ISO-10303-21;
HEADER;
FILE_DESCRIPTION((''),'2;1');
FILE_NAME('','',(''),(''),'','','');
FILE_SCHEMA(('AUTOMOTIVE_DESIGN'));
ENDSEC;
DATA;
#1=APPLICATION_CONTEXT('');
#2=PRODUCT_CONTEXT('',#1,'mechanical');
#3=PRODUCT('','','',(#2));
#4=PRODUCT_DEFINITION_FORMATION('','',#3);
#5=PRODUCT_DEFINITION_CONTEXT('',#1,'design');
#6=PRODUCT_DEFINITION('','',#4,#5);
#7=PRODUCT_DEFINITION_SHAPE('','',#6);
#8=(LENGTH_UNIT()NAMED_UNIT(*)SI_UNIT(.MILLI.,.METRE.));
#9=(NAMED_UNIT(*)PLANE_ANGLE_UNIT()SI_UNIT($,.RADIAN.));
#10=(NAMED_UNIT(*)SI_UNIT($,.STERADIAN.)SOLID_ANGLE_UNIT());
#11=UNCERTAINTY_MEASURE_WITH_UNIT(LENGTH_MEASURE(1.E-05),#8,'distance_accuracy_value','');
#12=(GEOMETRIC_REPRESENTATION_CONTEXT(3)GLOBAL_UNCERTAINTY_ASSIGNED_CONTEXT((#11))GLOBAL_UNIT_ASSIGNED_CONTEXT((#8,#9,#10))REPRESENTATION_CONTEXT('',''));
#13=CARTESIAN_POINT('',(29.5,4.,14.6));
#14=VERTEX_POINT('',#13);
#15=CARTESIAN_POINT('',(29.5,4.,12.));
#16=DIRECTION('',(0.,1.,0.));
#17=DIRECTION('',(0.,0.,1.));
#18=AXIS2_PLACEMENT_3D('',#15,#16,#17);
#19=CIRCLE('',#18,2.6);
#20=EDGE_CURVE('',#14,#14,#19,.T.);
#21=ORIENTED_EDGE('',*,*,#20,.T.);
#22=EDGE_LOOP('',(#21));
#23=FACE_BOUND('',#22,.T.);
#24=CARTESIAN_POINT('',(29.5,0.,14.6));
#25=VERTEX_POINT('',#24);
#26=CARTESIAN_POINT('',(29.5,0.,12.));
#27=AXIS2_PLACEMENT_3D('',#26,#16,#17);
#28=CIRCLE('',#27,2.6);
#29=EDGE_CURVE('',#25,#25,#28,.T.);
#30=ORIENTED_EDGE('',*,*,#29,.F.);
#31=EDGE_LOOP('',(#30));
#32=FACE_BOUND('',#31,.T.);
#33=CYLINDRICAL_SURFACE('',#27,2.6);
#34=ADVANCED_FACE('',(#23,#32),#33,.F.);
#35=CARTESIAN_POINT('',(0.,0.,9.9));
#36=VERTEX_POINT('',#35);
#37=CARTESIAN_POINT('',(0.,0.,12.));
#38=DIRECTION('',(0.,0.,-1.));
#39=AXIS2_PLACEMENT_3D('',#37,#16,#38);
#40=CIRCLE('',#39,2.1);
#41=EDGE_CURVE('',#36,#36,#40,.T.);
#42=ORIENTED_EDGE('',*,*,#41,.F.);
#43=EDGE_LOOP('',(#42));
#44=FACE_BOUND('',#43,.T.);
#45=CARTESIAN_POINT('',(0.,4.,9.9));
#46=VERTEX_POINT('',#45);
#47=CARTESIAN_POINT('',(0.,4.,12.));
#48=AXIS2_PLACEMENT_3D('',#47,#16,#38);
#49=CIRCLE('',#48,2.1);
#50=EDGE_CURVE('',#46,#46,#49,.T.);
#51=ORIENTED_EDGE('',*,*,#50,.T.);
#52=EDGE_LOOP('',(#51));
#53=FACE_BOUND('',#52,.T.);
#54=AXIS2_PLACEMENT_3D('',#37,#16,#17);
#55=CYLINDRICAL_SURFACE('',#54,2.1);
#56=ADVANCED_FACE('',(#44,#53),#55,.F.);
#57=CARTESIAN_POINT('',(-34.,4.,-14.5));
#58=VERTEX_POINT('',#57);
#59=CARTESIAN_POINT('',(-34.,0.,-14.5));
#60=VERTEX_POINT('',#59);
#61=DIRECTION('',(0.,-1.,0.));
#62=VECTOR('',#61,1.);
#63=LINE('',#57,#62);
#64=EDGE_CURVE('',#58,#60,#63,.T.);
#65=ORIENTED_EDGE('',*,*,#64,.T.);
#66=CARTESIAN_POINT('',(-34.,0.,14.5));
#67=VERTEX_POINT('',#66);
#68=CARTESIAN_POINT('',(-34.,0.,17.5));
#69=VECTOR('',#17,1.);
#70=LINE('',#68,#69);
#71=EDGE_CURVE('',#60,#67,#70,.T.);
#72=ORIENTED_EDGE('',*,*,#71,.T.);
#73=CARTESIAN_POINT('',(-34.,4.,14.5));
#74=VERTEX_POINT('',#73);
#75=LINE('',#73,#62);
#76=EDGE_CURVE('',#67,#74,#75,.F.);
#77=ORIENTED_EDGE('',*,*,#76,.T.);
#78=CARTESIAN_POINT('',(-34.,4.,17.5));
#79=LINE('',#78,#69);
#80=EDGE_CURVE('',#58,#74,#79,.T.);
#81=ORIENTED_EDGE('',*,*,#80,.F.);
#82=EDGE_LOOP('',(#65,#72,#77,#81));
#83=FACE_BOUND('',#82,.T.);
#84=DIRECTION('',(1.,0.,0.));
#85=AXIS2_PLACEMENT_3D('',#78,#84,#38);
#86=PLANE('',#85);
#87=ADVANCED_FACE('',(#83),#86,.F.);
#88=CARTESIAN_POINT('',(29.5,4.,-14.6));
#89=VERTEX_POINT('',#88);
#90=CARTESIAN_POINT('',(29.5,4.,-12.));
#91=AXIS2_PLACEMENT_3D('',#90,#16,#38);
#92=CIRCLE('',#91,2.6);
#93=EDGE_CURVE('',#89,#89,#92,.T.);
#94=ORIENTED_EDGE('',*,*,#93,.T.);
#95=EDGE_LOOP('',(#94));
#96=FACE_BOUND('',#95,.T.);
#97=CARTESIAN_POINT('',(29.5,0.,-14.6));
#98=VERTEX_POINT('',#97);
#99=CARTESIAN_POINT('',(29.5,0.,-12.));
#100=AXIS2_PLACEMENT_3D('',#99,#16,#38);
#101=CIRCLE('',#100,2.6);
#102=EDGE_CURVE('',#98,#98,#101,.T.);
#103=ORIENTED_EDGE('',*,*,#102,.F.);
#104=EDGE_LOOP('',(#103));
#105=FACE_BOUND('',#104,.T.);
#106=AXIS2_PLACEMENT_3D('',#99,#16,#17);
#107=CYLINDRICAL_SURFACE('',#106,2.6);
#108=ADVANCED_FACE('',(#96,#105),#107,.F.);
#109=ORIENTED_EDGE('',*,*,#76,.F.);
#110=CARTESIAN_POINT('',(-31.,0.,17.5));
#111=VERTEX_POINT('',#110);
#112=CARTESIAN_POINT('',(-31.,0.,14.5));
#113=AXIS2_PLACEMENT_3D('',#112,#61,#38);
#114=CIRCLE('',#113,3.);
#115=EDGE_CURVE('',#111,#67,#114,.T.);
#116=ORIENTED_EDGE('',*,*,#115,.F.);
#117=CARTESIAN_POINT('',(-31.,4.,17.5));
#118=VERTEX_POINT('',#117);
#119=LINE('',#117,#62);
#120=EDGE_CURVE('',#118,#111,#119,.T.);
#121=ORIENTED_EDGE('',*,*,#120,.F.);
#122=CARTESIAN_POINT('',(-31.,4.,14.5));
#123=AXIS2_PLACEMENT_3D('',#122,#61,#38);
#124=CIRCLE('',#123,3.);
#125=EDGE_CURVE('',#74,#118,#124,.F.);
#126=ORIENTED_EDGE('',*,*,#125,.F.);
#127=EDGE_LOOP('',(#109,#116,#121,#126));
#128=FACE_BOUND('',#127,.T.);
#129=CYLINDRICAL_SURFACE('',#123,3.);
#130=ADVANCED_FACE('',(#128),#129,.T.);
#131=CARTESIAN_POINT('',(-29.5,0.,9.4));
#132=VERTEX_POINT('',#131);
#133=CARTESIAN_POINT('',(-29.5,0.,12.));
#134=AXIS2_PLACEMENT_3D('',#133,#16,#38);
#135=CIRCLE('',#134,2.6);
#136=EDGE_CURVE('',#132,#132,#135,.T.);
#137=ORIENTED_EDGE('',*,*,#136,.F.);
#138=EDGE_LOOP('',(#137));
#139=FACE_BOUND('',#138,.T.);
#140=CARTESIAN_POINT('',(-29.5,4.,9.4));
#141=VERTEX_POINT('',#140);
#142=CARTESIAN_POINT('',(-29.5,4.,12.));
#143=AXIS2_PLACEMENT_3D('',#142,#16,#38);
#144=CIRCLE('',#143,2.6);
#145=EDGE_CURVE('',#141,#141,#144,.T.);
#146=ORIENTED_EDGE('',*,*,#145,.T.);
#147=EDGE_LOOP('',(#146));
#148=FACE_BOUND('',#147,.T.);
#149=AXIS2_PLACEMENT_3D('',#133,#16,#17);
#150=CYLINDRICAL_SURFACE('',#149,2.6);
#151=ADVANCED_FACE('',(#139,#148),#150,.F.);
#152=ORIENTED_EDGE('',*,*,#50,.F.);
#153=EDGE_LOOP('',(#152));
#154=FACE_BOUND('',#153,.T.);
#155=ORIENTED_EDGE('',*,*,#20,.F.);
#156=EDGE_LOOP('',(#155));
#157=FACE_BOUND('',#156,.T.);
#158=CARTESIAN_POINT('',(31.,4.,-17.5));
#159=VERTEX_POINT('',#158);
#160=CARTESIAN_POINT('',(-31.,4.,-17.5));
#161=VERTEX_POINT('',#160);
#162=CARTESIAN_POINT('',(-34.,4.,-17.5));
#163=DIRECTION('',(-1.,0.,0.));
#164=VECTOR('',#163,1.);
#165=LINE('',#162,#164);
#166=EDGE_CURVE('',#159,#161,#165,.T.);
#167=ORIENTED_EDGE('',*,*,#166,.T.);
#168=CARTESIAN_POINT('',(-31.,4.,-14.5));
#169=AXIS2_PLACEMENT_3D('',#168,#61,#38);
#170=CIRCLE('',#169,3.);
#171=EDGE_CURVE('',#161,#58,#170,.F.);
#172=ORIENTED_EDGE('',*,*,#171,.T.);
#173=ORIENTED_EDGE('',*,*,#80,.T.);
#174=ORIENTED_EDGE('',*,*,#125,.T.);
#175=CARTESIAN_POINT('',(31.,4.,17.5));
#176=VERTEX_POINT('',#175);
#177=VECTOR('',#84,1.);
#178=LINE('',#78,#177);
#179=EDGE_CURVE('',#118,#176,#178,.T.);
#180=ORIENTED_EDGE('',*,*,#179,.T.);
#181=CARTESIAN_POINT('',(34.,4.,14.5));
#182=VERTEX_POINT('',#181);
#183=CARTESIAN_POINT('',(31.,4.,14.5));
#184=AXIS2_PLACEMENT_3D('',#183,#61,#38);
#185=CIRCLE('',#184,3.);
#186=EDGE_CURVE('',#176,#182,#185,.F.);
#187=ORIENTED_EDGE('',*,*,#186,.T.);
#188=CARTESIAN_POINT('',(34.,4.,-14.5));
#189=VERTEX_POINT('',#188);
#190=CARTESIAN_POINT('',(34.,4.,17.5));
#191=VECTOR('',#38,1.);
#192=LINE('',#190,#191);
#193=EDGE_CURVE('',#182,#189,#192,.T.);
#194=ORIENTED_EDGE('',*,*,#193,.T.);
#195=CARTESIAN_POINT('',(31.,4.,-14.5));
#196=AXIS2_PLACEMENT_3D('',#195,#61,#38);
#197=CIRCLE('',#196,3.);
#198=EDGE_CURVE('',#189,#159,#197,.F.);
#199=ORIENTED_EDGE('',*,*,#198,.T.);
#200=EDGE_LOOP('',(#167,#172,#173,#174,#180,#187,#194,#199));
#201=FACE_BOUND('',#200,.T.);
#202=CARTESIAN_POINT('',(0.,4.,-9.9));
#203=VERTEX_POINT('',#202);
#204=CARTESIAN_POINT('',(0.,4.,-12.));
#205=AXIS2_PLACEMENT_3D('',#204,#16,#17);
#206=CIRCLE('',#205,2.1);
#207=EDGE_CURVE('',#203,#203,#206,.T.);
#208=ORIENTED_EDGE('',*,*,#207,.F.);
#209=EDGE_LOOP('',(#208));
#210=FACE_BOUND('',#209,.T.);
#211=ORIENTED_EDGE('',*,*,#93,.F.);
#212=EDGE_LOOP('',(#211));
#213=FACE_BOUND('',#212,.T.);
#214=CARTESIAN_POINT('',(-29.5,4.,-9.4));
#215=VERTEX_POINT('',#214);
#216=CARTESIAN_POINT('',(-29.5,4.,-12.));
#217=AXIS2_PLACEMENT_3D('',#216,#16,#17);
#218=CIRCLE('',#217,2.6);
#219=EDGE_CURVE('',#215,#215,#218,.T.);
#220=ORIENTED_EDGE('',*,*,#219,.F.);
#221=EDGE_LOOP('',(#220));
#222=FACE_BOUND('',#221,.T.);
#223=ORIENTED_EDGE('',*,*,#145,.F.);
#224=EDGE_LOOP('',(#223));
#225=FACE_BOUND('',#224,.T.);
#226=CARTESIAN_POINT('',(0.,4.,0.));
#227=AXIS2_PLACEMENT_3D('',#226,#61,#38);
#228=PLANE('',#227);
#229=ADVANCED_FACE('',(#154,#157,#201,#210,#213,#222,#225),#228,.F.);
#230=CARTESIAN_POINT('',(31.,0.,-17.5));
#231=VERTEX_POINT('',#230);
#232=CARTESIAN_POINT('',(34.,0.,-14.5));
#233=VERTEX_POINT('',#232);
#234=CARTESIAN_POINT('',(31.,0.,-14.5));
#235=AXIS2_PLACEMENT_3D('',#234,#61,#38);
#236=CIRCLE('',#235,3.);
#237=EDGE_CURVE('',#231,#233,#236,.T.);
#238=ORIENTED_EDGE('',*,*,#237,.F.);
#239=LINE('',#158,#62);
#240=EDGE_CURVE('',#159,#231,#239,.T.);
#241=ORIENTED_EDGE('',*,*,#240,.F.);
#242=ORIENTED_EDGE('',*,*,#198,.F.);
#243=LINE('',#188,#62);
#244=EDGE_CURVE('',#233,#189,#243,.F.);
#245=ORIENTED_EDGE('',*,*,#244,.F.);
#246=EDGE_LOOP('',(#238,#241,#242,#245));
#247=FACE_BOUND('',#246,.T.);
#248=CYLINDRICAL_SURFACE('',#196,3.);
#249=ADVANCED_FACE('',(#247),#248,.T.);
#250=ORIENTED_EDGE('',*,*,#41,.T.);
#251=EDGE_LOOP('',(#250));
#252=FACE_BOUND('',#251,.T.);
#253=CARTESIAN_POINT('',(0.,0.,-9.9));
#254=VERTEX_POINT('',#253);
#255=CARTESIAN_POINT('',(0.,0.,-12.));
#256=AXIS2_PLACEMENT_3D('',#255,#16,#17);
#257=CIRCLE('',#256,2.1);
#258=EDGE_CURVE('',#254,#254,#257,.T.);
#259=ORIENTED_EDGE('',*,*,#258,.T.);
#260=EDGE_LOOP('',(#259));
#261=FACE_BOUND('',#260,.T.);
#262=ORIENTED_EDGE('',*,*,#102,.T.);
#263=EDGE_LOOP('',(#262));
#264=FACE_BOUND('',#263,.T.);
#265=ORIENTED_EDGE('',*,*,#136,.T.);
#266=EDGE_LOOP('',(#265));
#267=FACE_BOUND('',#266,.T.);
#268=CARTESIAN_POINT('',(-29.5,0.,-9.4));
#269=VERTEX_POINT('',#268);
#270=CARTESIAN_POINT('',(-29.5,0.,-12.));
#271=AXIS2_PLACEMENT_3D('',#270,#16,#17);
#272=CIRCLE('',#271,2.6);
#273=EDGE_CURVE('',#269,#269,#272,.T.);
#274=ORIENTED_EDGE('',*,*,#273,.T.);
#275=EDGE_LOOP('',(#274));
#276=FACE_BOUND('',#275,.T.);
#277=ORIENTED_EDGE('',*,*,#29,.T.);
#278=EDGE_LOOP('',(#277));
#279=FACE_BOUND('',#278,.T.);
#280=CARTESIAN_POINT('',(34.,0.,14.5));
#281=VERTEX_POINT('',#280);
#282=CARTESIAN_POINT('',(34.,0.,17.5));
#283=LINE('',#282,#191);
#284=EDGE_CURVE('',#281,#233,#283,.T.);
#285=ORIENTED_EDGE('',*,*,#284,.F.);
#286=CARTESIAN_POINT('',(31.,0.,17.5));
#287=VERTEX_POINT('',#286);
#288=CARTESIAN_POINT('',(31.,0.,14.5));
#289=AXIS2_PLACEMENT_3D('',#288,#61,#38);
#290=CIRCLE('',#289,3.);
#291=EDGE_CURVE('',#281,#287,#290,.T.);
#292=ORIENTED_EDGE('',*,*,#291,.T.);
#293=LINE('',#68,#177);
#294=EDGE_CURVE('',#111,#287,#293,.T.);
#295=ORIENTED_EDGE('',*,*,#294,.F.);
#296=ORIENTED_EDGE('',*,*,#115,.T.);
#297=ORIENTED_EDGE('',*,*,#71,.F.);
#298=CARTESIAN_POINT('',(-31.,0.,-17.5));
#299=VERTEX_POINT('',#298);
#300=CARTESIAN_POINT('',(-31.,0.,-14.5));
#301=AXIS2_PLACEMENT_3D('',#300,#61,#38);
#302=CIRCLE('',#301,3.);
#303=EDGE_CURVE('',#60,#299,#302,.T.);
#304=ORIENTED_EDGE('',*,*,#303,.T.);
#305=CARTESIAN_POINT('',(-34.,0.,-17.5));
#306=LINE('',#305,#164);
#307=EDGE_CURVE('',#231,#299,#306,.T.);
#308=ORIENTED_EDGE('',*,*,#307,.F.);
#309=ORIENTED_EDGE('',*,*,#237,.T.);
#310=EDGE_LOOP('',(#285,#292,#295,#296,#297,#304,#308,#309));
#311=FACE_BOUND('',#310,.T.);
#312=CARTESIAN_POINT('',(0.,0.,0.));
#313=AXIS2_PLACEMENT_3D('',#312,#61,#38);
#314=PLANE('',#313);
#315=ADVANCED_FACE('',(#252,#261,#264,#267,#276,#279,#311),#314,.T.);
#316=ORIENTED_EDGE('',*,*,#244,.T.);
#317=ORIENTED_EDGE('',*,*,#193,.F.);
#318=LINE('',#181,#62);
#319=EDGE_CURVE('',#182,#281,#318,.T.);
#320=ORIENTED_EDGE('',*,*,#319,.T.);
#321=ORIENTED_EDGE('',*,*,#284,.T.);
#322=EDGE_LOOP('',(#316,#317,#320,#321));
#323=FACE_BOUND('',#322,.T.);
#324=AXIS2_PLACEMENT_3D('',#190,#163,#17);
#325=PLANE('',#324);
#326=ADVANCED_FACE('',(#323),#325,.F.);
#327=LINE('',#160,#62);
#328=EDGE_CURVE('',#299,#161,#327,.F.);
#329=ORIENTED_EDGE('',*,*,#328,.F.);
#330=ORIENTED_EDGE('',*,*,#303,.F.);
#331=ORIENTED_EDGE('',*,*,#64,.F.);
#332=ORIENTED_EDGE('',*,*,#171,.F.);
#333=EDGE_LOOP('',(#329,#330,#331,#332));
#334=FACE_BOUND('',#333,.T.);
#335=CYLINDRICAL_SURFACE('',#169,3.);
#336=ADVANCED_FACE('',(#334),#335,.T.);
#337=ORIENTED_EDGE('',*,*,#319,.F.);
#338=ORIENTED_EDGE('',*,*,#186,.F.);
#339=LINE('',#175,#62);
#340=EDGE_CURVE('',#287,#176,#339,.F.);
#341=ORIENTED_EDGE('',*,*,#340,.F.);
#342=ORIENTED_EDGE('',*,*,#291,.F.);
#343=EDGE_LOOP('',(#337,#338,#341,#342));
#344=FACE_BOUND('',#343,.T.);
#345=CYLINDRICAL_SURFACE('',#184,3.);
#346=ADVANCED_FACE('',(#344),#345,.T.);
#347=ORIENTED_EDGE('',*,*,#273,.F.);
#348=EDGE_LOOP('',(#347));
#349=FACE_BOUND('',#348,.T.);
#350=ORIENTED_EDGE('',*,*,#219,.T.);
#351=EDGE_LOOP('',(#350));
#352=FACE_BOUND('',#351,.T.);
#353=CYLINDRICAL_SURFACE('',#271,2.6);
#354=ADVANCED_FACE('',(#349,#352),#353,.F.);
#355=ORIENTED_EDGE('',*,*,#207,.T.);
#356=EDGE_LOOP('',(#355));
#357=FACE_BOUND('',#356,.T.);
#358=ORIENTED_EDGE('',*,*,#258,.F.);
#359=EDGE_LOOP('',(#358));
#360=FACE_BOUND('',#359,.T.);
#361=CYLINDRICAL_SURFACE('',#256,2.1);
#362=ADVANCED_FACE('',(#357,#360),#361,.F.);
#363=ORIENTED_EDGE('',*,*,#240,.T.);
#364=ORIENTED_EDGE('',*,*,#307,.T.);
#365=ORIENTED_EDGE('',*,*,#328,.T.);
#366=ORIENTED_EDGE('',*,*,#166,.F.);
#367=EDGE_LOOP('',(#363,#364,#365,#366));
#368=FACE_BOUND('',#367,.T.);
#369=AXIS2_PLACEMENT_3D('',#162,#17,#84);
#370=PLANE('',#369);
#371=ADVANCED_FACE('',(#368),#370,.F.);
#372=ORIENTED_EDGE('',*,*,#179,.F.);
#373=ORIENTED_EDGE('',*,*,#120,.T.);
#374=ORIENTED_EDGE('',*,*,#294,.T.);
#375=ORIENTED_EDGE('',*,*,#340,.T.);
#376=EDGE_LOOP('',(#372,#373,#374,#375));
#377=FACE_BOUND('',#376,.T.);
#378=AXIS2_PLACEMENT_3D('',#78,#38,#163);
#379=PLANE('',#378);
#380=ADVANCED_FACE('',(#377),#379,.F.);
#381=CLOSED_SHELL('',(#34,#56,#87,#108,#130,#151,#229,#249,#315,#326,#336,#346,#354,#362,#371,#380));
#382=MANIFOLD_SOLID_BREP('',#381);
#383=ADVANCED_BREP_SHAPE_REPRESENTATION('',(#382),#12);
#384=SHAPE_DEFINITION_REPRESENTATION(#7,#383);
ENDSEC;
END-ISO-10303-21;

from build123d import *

# Parameters (mm, degrees)
SKETCH_1_W          = 68
SKETCH_1_H          = 35
EXTRUDE_1_DEPTH     = 4
SKETCH_2_R          = 2.6
SKETCH_2_R_2        = 2.1
CUT_EXTRUDE_1_DEPTH = 4
FILLET_1_R          = 3


with BuildPart() as part:
    # 草图1 → 凸台-拉伸1 (new body)
    with BuildSketch(Plane(origin=(0, 0, 0), x_dir=(1, 0, 0), z_dir=(0, 1, 0))):
        Rectangle(SKETCH_1_W, SKETCH_1_H)
    extrude(amount=EXTRUDE_1_DEPTH)

    # 草图2 → 切除-拉伸1 (cut)
    with BuildSketch(Plane(origin=(0, 4, 0), x_dir=(1, 0, 0), z_dir=(0, 1, 0))):
        with Locations(Location((-29.5, 12, 0), (0, 0, 270))):
            Circle(SKETCH_2_R)
        with Locations(Location((29.5, 12, 0), (0, 0, 90))):
            Circle(SKETCH_2_R)
        with Locations(Location((29.5, -12, 0), (0, 0, 270))):
            Circle(SKETCH_2_R)
        with Locations(Location((-29.5, -12, 0), (0, 0, 90))):
            Circle(SKETCH_2_R)
        with Locations(Location((0, 12, 0), (0, 0, 270))):
            Circle(SKETCH_2_R_2)
        with Locations(Location((0, -12, 0), (0, 0, 90))):
            Circle(SKETCH_2_R_2)
    extrude(amount=-CUT_EXTRUDE_1_DEPTH, mode=Mode.SUBTRACT)

    # 圆角1
    fillet_1_edges = [part.edges().sort_by_distance(p)[0] for p in [
        (34, 2, 17.5),
        (-34, 2, 17.5),
        (-34, 2, -17.5),
        (34, 2, -17.5),
    ]]
    fillet(fillet_1_edges, radius=FILLET_1_R)


solid = part.part
